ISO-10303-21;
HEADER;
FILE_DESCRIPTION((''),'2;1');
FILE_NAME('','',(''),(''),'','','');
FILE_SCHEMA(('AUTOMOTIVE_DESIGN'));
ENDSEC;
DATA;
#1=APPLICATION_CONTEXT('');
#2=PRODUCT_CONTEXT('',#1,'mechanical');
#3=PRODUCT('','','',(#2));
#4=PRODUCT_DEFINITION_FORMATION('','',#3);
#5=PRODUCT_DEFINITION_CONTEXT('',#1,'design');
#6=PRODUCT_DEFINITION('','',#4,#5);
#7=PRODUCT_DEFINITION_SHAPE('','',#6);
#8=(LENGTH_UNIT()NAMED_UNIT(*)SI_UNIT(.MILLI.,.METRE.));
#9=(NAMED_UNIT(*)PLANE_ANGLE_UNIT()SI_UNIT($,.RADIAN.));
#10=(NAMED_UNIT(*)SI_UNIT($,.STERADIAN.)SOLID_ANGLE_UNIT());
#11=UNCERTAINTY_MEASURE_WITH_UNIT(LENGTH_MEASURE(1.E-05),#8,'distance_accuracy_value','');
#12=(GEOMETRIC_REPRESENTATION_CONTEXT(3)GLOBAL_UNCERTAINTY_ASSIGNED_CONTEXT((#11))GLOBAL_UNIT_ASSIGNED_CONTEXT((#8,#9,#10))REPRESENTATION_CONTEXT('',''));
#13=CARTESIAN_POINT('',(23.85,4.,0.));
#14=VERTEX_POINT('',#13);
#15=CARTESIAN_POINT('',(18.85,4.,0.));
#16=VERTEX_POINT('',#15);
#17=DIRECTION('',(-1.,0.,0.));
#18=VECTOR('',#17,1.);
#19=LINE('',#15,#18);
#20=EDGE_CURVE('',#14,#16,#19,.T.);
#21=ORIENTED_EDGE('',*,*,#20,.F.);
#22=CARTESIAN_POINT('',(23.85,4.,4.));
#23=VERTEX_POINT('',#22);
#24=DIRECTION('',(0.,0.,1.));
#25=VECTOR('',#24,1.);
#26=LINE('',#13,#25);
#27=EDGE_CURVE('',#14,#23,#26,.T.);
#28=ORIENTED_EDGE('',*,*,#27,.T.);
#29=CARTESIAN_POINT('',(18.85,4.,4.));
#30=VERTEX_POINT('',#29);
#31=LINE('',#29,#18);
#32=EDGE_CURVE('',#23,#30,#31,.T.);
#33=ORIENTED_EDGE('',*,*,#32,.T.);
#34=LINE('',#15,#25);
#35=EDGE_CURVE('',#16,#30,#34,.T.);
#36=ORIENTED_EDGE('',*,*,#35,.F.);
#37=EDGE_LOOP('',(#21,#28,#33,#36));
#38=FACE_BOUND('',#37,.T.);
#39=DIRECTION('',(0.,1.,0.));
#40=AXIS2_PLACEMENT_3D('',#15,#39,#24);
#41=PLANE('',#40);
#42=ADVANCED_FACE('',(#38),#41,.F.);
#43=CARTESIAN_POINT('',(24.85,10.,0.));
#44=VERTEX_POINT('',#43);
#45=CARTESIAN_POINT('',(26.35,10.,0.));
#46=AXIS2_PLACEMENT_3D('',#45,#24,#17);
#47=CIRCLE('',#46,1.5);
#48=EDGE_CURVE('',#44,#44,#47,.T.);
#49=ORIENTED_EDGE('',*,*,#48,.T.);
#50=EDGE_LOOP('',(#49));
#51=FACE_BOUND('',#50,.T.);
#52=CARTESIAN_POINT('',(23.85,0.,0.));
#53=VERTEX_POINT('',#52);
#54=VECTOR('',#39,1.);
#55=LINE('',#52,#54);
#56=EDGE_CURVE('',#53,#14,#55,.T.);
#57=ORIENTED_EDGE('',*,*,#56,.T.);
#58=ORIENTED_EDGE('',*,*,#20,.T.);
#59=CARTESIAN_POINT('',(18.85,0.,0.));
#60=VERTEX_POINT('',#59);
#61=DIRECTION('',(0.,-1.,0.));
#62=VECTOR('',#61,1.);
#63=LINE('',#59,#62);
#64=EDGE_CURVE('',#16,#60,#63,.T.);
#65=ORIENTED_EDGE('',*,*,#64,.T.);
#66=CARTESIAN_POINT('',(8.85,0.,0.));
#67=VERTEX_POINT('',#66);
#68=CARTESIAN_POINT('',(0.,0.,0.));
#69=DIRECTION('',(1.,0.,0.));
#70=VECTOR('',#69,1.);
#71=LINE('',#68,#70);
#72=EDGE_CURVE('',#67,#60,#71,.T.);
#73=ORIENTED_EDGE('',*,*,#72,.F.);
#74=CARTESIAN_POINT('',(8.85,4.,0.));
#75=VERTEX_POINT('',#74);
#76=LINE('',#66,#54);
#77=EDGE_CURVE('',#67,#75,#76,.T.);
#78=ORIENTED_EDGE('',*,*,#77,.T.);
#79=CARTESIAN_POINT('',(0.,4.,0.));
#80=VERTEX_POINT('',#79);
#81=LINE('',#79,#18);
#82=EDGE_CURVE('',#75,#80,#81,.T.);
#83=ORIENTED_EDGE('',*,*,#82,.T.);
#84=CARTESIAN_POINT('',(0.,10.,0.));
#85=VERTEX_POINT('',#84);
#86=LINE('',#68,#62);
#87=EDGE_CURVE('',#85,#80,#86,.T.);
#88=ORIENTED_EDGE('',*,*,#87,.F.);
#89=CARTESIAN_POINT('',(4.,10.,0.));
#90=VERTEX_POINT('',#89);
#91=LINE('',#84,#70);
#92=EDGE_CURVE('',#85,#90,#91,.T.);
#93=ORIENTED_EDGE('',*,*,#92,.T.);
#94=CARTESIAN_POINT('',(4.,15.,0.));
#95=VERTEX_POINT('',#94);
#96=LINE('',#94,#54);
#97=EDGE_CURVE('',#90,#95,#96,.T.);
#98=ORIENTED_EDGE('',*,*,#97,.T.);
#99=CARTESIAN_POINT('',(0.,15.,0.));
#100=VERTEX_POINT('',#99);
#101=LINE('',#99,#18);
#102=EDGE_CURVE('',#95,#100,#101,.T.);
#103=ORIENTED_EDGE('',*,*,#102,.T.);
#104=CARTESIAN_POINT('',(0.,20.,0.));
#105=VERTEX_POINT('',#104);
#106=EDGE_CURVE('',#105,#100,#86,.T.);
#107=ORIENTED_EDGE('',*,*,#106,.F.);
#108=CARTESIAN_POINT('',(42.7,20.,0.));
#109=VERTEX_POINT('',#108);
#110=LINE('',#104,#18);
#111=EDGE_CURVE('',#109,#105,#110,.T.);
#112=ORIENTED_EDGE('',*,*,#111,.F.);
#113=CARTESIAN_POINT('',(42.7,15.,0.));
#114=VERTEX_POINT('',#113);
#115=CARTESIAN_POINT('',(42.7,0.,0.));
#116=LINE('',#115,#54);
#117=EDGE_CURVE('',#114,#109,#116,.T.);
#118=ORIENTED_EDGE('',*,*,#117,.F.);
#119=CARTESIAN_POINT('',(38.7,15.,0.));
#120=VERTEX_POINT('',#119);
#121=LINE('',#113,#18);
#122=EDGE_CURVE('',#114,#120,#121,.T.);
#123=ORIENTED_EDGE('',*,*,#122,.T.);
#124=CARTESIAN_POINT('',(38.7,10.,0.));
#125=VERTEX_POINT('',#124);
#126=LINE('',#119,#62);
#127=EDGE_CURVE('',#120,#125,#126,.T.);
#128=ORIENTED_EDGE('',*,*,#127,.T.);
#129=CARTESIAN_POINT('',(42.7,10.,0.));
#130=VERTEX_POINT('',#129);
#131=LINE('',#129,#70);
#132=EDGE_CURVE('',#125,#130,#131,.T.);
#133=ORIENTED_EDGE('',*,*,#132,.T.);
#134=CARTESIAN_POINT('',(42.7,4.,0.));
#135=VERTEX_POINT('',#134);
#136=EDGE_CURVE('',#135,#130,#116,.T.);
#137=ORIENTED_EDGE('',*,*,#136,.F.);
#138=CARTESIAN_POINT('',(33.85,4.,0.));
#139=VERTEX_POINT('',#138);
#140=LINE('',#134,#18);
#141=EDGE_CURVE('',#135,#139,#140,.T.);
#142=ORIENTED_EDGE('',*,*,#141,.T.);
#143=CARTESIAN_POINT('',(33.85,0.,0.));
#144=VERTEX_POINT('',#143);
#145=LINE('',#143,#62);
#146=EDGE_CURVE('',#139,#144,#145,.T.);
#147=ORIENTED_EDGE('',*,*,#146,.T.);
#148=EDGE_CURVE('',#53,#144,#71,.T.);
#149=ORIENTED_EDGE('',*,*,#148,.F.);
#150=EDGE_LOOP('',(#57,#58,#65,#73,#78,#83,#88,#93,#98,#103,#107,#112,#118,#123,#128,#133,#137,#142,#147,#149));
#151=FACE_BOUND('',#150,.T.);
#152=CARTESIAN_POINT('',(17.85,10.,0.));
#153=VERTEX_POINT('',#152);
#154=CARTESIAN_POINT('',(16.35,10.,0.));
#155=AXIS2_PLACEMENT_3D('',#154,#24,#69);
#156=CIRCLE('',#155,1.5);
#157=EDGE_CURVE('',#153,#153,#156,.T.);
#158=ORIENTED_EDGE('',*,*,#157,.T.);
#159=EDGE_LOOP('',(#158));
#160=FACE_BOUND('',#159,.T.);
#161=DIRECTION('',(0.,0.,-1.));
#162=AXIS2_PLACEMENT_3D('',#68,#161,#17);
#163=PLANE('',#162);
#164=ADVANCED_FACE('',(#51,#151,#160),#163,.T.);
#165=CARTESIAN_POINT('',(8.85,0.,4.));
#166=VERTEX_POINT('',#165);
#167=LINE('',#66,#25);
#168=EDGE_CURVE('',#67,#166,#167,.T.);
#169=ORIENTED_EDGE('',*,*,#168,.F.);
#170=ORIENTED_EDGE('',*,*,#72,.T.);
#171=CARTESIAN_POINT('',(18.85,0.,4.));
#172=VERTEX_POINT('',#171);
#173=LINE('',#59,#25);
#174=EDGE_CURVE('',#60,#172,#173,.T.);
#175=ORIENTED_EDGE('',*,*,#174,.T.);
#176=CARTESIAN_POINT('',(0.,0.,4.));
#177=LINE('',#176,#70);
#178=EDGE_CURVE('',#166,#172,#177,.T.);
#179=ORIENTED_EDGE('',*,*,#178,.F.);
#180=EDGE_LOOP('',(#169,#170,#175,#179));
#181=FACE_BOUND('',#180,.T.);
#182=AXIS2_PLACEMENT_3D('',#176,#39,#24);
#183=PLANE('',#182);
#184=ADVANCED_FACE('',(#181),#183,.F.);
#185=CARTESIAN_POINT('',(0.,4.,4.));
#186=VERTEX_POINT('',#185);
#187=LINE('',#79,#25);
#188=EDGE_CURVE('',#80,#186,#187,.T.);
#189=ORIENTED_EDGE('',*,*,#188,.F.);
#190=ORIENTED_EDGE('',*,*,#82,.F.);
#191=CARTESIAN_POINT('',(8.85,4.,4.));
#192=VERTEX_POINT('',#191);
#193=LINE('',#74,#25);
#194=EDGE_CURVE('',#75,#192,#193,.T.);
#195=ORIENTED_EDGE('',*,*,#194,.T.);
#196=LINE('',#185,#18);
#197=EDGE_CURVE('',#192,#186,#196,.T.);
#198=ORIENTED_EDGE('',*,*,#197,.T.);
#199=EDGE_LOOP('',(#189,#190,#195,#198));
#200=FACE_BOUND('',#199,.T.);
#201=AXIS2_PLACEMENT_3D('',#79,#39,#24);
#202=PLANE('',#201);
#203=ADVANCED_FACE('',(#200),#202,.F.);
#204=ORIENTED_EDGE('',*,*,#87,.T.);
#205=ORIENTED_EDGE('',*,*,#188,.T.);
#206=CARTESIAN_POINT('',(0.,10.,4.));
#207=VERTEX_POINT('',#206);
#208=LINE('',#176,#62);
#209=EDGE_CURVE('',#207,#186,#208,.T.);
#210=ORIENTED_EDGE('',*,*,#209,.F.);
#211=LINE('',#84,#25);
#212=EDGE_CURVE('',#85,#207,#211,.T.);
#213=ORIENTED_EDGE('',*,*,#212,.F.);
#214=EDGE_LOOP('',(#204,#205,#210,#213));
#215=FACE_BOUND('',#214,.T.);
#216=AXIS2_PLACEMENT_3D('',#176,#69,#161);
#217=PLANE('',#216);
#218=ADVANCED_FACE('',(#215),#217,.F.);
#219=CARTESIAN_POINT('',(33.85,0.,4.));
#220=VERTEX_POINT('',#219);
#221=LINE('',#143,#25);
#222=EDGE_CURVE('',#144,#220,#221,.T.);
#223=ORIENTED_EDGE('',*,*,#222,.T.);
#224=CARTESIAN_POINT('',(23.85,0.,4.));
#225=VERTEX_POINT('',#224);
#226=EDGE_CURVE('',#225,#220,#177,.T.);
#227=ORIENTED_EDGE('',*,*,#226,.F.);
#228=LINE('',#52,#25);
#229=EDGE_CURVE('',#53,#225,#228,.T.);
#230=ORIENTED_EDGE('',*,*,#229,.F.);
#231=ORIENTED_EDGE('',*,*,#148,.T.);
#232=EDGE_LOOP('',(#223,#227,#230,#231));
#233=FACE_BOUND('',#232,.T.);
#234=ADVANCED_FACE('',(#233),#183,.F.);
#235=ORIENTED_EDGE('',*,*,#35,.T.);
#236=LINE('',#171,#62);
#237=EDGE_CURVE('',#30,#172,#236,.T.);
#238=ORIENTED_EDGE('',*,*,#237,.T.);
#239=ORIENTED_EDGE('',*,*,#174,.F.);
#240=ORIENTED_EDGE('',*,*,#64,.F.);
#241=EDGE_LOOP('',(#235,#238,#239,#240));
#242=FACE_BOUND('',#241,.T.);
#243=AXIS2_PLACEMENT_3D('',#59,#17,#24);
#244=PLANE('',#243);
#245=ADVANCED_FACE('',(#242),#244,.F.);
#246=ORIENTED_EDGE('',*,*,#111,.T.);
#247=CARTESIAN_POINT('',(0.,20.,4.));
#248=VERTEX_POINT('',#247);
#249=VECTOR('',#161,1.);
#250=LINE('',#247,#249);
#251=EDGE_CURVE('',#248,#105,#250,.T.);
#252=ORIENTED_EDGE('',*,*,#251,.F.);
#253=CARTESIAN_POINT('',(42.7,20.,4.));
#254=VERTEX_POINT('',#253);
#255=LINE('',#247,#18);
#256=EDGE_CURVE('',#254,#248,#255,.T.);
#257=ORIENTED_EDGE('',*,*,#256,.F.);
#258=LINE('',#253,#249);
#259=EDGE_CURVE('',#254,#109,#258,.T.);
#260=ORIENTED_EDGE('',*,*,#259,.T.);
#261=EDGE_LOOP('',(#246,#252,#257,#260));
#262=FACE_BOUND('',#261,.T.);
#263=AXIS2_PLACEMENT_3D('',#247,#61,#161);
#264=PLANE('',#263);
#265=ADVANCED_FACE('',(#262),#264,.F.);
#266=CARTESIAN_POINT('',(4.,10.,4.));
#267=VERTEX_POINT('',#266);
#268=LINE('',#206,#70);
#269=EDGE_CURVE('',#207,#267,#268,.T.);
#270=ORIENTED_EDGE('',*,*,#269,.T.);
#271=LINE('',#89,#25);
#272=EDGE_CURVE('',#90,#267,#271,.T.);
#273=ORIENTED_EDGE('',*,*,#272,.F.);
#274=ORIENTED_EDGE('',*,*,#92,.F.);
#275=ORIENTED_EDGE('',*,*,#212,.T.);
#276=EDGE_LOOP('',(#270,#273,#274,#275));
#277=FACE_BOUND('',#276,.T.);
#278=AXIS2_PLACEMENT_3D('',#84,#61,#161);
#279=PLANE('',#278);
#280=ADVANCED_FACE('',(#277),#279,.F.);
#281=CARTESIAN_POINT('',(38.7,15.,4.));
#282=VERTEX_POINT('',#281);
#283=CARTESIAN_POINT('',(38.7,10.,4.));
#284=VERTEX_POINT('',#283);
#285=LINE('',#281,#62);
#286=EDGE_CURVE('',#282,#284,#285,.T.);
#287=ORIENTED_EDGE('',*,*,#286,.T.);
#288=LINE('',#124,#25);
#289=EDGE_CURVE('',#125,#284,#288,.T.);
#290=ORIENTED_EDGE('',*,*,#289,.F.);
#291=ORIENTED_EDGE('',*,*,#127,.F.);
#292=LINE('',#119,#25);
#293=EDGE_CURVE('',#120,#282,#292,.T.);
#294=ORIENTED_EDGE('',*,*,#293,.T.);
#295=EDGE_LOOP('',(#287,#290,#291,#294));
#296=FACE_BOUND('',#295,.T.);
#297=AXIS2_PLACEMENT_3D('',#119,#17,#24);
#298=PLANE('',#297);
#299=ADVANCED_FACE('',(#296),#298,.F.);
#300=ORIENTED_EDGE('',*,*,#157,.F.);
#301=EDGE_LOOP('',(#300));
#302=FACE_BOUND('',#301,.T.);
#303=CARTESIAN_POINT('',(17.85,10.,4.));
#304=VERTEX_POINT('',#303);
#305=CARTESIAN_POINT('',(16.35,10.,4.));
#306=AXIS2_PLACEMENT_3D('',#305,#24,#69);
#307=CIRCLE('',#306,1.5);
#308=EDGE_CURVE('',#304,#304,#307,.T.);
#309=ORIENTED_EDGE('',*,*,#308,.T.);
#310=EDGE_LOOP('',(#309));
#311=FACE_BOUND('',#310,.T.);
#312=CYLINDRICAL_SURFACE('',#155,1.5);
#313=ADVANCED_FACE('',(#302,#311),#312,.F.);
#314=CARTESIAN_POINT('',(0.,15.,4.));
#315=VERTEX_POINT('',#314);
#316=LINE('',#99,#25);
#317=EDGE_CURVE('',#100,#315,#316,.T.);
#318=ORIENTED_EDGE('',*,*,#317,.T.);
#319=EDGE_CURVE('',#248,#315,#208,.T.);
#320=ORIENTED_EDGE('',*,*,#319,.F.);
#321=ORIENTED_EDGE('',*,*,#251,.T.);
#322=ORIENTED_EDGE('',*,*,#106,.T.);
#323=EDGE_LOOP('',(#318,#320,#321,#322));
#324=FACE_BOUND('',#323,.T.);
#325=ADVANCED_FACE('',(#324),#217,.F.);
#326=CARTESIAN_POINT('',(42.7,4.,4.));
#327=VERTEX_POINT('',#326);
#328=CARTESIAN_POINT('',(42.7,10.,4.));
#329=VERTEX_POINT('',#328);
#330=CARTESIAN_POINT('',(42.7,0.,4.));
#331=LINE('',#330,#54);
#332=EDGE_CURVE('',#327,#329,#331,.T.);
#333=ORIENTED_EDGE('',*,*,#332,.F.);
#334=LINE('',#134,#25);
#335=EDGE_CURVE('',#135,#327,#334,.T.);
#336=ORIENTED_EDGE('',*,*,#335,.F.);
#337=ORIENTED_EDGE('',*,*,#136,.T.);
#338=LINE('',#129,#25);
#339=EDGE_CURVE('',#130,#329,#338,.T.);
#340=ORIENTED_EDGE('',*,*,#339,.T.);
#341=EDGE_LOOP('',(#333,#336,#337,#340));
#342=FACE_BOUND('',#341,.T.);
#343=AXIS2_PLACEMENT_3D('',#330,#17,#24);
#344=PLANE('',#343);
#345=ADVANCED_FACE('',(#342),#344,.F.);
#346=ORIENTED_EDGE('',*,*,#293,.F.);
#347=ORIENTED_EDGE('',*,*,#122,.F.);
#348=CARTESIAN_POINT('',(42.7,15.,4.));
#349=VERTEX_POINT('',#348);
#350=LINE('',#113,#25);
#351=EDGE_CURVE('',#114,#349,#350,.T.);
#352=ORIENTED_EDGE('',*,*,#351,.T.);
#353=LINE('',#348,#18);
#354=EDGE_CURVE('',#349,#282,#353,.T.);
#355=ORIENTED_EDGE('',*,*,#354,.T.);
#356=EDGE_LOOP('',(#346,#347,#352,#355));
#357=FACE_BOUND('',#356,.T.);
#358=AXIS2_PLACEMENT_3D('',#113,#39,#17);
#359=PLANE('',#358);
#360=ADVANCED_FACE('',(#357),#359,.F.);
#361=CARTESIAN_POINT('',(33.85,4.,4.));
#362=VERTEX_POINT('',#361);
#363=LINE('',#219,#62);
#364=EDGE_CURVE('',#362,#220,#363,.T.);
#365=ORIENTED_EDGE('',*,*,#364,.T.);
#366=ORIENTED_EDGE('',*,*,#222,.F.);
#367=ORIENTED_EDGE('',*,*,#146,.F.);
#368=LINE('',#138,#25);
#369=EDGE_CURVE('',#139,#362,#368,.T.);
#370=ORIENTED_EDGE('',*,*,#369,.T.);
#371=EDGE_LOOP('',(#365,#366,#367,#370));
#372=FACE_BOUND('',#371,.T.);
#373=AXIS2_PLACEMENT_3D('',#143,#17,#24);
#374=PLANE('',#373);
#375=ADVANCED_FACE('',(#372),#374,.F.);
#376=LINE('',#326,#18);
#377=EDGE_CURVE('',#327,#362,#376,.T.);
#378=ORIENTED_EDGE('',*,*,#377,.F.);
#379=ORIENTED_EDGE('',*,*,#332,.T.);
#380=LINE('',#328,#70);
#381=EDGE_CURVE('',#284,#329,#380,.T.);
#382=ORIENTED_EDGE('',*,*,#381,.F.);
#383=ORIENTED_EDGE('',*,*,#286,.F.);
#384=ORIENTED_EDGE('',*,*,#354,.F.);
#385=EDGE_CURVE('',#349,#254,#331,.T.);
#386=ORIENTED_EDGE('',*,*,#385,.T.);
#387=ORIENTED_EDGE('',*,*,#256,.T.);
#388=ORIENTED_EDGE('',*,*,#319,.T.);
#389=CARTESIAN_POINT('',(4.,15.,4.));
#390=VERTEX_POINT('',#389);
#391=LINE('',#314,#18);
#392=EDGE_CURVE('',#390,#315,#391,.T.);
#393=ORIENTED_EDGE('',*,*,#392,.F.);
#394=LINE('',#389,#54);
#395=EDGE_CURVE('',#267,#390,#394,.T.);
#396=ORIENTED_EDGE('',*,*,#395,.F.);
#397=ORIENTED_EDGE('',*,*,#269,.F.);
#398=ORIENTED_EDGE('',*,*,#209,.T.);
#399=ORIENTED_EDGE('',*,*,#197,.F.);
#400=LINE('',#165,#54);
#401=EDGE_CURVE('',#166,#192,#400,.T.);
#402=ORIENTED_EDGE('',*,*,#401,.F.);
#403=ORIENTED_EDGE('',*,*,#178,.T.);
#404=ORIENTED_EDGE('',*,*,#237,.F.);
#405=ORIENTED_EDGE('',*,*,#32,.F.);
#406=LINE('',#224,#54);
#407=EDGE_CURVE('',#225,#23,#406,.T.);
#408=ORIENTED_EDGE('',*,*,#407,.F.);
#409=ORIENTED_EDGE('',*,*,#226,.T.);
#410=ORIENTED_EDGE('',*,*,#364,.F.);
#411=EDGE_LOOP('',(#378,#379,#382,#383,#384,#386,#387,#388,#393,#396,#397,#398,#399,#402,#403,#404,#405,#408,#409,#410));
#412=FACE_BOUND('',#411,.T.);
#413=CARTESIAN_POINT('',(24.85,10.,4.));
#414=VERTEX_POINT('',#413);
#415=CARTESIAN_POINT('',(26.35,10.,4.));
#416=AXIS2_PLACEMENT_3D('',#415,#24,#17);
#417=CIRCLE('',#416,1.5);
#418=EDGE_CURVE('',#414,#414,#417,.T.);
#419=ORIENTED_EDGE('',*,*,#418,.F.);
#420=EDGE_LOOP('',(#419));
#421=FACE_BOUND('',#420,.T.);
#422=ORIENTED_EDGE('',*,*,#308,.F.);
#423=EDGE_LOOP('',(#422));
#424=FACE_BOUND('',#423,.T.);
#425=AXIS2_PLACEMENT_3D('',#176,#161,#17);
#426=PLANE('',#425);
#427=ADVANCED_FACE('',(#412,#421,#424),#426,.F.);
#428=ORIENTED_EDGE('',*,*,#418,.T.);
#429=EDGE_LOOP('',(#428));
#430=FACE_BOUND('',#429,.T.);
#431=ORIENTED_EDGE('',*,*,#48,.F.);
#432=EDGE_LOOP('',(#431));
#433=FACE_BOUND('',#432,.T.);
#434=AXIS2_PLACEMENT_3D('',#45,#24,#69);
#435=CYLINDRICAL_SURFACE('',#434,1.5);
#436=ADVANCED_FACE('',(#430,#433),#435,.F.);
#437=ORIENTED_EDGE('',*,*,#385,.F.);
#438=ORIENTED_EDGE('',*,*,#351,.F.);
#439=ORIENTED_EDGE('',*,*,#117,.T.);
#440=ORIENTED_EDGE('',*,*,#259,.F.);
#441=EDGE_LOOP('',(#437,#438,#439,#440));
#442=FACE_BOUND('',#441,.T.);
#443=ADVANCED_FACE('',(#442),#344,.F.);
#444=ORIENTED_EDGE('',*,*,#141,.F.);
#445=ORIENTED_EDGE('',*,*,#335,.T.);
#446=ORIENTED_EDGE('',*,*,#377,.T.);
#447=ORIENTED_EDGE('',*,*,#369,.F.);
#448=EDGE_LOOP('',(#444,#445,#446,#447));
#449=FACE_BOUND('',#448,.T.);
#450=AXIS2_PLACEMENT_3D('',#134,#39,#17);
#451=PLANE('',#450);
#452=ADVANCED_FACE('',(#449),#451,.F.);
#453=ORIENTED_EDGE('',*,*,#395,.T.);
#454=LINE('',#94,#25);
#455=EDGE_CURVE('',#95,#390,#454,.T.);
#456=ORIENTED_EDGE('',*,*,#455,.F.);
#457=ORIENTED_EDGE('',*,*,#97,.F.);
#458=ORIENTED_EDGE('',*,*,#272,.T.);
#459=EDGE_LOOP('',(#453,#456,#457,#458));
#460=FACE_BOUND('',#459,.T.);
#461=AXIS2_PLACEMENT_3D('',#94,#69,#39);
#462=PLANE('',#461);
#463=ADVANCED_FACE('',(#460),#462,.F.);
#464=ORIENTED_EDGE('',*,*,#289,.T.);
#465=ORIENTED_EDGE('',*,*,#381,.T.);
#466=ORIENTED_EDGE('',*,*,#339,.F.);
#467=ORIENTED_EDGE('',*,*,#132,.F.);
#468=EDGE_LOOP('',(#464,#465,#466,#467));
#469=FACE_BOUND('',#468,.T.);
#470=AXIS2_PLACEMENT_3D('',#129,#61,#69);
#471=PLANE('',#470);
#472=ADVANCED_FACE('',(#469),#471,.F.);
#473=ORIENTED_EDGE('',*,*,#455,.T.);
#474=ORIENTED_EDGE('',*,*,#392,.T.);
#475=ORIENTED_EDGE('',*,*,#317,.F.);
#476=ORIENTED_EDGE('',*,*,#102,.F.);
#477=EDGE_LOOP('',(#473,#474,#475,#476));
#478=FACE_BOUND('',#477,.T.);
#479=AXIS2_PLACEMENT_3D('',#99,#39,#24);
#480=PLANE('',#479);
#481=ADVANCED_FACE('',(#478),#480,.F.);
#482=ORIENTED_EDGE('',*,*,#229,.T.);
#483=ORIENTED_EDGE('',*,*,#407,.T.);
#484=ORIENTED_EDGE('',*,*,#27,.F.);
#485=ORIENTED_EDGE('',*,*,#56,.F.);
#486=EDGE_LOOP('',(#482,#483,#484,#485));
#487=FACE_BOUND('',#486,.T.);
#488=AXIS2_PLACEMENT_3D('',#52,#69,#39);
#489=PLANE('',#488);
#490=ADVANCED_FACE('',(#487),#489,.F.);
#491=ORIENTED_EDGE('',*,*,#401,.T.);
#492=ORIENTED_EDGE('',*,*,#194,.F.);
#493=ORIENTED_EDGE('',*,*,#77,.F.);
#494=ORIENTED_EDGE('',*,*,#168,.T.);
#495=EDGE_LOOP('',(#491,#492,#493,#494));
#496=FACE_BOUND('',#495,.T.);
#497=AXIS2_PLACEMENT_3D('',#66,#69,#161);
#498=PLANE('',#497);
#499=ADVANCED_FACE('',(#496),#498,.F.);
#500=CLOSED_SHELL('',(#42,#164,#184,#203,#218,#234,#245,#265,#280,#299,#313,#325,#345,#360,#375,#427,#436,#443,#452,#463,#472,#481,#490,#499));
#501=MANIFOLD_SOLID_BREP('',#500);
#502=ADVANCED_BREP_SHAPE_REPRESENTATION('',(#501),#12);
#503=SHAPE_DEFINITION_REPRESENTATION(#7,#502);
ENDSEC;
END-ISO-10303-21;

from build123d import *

# Parameters (mm, degrees)
SKETCH_1_W          = 42.7
SKETCH_1_H          = 20
EXTRUDE_1_DEPTH     = 4
SKETCH_2_R          = 1.5
SKETCH_2_W          = 8.85
SKETCH_2_H          = 4
SKETCH_2_W_2        = 5
SKETCH_2_W_3        = 4
SKETCH_2_H_2        = 5
CUT_EXTRUDE_1_DEPTH = 4


with BuildPart() as part:
    # Эскиз1 → Бобышка-Вытянуть1 (new body)
    with BuildSketch(Plane.XY):
        with Locations((21.35, 10)):
            Rectangle(SKETCH_1_W, SKETCH_1_H)
    extrude(amount=EXTRUDE_1_DEPTH)

    # Эскиз2 → Вырез-Вытянуть1 (cut)
    with BuildSketch(Plane.XY.offset(4)):
        with Locations((16.35, 10)):
            Circle(SKETCH_2_R)
        with Locations(Location((26.35, 10, 0), (0, 0, 180))):
            Circle(SKETCH_2_R)
        with Locations((4.425, 2)):
            Rectangle(SKETCH_2_W, SKETCH_2_H)
        with Locations((21.35, 2)):
            Rectangle(SKETCH_2_W_2, SKETCH_2_H)
        with Locations((38.275, 2)):
            Rectangle(SKETCH_2_W, SKETCH_2_H)
        with Locations((2, 12.5)):
            Rectangle(SKETCH_2_W_3, SKETCH_2_H_2)
        with Locations((40.7, 12.5)):
            Rectangle(SKETCH_2_W_3, SKETCH_2_H_2)
    extrude(amount=-CUT_EXTRUDE_1_DEPTH, mode=Mode.SUBTRACT)


solid = part.part
